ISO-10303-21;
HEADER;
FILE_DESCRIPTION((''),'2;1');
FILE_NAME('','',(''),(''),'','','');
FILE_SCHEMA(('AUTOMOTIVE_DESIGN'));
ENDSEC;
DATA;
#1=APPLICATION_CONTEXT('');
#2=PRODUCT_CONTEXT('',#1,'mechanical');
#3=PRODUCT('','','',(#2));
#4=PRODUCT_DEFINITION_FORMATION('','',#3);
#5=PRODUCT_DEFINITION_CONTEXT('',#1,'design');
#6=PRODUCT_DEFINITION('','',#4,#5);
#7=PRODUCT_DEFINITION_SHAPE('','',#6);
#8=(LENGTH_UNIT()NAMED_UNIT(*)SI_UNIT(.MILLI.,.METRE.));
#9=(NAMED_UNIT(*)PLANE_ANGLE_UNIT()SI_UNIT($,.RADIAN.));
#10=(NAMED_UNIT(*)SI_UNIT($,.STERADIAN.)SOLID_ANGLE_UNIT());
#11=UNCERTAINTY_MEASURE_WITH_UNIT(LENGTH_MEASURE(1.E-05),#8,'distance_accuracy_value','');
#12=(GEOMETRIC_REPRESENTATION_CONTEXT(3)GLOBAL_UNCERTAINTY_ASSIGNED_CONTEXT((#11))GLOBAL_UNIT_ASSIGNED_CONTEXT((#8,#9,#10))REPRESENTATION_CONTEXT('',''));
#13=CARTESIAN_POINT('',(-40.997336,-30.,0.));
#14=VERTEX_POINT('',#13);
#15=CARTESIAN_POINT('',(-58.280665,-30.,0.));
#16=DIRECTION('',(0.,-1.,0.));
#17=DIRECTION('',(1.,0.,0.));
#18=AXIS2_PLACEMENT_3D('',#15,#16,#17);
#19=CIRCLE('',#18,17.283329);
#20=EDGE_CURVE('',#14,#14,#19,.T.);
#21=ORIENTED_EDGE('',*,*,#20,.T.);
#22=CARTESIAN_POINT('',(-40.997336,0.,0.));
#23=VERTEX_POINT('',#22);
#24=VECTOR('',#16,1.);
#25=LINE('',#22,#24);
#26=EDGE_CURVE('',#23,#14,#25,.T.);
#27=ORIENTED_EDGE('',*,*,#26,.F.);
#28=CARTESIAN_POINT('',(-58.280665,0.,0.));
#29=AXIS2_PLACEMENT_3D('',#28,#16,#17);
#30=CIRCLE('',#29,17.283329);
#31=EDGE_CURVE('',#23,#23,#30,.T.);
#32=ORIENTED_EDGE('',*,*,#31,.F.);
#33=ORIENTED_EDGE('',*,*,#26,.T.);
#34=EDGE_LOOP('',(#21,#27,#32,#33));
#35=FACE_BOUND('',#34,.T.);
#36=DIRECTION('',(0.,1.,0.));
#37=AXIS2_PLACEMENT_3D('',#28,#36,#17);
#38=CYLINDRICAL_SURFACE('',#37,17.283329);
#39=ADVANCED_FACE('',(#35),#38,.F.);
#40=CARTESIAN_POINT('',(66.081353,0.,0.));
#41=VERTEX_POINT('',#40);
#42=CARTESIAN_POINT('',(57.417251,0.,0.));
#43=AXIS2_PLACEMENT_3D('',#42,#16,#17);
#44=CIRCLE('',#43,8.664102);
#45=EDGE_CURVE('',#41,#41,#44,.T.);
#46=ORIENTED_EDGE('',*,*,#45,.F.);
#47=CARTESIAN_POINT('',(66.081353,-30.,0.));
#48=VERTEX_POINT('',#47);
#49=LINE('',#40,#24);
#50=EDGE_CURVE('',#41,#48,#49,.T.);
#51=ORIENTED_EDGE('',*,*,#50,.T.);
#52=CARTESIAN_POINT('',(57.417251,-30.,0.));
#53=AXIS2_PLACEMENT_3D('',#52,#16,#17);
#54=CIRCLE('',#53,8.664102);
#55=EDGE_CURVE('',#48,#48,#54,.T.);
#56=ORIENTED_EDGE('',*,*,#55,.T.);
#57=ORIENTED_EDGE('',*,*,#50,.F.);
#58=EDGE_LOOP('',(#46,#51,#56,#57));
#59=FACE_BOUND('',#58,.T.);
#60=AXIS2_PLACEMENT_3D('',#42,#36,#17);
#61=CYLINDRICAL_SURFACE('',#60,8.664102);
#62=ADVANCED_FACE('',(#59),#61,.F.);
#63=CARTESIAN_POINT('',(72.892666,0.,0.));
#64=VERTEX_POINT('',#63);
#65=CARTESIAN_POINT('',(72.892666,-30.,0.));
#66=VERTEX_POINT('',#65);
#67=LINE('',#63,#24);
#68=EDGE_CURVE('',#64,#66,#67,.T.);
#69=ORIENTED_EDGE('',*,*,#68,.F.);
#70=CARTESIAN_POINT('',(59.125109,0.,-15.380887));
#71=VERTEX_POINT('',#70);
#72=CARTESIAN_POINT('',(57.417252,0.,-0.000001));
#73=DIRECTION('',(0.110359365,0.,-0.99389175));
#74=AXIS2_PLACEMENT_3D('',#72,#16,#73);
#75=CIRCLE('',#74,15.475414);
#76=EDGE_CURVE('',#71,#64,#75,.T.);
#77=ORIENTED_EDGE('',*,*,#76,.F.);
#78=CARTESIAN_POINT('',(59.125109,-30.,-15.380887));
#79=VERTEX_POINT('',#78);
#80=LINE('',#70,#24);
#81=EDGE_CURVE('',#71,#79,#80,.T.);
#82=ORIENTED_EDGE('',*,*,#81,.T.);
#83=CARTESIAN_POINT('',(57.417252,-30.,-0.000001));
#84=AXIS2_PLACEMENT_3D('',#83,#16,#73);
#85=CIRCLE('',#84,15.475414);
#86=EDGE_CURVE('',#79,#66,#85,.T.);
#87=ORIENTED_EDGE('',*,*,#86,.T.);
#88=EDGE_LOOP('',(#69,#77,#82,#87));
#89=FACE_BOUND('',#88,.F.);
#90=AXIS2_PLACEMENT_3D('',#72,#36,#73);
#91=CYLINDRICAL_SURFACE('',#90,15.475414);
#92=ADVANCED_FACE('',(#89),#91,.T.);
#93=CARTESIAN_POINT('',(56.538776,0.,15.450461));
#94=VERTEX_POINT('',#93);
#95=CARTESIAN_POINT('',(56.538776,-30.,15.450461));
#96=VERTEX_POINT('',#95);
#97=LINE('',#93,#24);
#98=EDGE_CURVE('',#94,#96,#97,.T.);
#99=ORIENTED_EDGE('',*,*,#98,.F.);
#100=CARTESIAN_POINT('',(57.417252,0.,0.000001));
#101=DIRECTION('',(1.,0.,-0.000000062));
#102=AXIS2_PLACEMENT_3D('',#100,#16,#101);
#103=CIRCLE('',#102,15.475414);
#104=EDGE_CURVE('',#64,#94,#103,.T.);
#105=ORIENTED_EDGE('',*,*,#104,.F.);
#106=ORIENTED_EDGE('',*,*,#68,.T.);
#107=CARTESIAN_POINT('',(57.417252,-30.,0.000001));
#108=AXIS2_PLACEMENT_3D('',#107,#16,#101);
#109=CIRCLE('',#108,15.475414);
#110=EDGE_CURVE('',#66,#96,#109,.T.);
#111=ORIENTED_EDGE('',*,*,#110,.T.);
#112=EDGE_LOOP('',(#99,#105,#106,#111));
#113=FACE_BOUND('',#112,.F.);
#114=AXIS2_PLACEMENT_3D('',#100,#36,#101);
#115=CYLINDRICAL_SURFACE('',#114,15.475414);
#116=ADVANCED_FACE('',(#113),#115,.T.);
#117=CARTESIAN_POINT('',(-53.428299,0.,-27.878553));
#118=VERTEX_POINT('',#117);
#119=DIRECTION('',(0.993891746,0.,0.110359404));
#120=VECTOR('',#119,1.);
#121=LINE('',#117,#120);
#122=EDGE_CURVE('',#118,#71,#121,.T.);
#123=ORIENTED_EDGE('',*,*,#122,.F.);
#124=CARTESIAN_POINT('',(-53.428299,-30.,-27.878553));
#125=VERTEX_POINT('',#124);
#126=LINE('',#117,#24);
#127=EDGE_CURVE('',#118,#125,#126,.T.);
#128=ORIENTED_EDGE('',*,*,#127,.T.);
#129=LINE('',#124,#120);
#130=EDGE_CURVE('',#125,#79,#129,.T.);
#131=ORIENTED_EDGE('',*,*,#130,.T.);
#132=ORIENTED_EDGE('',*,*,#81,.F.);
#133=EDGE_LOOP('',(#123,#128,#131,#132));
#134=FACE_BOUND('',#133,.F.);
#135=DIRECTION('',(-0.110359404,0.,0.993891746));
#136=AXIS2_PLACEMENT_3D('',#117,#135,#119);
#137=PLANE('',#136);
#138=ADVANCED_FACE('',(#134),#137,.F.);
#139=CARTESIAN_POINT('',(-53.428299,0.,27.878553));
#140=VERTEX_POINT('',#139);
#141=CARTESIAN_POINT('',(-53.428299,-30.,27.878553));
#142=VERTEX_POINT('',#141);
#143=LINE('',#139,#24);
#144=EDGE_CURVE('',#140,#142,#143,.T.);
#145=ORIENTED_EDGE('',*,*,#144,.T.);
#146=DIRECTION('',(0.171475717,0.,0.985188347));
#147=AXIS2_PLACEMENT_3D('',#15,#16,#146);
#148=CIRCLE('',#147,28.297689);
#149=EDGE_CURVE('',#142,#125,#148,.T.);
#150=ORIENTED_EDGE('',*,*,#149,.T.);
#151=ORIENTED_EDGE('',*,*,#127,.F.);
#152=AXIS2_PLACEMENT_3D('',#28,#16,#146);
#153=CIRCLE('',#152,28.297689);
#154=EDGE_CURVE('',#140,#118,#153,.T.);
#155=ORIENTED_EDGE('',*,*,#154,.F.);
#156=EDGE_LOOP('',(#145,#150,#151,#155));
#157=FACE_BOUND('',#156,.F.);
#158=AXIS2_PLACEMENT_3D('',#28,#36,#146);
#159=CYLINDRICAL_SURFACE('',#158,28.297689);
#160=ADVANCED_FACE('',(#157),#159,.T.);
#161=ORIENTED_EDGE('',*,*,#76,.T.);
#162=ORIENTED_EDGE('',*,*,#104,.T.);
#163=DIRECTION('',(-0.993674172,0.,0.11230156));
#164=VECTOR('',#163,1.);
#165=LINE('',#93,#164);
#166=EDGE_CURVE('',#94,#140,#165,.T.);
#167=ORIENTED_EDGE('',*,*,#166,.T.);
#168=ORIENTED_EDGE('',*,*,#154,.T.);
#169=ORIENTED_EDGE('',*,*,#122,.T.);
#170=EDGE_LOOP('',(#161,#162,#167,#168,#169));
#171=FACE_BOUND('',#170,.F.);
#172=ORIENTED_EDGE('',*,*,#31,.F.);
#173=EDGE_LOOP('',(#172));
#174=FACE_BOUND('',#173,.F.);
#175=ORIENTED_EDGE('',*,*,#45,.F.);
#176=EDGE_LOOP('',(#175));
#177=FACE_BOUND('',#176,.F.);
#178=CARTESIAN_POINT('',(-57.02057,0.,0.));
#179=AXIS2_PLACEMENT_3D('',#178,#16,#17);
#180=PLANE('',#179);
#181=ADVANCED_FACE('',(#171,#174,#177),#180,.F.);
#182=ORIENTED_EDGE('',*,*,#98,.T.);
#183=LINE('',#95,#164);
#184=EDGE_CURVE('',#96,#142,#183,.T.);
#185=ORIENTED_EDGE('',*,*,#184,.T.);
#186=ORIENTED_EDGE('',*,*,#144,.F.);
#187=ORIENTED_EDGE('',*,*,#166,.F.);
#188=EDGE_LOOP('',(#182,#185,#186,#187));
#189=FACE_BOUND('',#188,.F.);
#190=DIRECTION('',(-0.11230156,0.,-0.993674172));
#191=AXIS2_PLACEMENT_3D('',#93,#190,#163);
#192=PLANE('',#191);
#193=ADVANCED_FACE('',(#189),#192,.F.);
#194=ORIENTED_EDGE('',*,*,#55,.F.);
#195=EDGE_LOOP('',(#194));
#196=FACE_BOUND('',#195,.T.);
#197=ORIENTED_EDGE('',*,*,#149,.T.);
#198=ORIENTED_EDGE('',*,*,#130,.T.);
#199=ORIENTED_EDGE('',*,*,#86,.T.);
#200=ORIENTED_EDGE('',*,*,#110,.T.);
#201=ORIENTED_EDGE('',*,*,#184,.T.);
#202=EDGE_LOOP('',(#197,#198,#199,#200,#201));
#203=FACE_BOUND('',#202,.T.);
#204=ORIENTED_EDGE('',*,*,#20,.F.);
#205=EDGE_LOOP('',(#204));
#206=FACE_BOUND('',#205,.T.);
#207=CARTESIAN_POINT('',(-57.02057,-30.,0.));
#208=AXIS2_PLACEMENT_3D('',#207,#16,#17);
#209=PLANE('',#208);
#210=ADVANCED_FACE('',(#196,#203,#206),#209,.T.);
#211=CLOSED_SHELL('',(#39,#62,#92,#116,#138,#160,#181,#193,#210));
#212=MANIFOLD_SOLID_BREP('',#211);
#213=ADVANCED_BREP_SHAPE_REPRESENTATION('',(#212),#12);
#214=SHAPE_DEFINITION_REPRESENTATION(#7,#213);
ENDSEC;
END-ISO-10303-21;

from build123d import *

# Parameters (mm, degrees)
F0_R     = 17.283329
F0_R_2   = 8.664102
F1_DEPTH = 30


with BuildPart() as f1:
    # F0 (on Front) → F1 (new body)
    with BuildSketch(Plane.XZ):
        with BuildLine():
            ThreePointArc((-53.428299, -27.878553), (-36.62345, -18.213297), (-29.982977, 0))
            ThreePointArc((-29.982977, 0), (-36.62345, 18.213297), (-53.428299, 27.878553))
            ThreePointArc((-53.428299, 27.878553), (-86.578354, 0), (-53.428299, -27.878553))
        make_face()
        with Locations((-58.280665, 0)):
            Circle(F0_R, mode=Mode.SUBTRACT)
        with BuildLine():
            ThreePointArc((-53.428299, 27.878553), (-36.62345, 18.213297), (-29.982977, 0))
            ThreePointArc((-29.982977, 0), (-36.62345, -18.213297), (-53.428299, -27.878553))
            Line((-53.428299, -27.878553), (59.125109, -15.380887))
            ThreePointArc((59.125109, -15.380887), (41.996, -1.293634), (56.538776, 15.450461))
            Line((56.538776, 15.450461), (-53.428299, 27.878553))
        make_face()
        with BuildLine():
            ThreePointArc((72.892666, 0), (68.044897, 11.249072), (56.538776, 15.450461))
            ThreePointArc((56.538776, 15.450461), (41.996, -1.293634), (59.125109, -15.380887))
            ThreePointArc((59.125109, -15.380887), (68.948042, -10.321305), (72.892666, 0))
        make_face()
        with Locations((57.417251, 0)):
            Circle(F0_R_2, mode=Mode.SUBTRACT)
    extrude(amount=F1_DEPTH)


solid = f1.part
